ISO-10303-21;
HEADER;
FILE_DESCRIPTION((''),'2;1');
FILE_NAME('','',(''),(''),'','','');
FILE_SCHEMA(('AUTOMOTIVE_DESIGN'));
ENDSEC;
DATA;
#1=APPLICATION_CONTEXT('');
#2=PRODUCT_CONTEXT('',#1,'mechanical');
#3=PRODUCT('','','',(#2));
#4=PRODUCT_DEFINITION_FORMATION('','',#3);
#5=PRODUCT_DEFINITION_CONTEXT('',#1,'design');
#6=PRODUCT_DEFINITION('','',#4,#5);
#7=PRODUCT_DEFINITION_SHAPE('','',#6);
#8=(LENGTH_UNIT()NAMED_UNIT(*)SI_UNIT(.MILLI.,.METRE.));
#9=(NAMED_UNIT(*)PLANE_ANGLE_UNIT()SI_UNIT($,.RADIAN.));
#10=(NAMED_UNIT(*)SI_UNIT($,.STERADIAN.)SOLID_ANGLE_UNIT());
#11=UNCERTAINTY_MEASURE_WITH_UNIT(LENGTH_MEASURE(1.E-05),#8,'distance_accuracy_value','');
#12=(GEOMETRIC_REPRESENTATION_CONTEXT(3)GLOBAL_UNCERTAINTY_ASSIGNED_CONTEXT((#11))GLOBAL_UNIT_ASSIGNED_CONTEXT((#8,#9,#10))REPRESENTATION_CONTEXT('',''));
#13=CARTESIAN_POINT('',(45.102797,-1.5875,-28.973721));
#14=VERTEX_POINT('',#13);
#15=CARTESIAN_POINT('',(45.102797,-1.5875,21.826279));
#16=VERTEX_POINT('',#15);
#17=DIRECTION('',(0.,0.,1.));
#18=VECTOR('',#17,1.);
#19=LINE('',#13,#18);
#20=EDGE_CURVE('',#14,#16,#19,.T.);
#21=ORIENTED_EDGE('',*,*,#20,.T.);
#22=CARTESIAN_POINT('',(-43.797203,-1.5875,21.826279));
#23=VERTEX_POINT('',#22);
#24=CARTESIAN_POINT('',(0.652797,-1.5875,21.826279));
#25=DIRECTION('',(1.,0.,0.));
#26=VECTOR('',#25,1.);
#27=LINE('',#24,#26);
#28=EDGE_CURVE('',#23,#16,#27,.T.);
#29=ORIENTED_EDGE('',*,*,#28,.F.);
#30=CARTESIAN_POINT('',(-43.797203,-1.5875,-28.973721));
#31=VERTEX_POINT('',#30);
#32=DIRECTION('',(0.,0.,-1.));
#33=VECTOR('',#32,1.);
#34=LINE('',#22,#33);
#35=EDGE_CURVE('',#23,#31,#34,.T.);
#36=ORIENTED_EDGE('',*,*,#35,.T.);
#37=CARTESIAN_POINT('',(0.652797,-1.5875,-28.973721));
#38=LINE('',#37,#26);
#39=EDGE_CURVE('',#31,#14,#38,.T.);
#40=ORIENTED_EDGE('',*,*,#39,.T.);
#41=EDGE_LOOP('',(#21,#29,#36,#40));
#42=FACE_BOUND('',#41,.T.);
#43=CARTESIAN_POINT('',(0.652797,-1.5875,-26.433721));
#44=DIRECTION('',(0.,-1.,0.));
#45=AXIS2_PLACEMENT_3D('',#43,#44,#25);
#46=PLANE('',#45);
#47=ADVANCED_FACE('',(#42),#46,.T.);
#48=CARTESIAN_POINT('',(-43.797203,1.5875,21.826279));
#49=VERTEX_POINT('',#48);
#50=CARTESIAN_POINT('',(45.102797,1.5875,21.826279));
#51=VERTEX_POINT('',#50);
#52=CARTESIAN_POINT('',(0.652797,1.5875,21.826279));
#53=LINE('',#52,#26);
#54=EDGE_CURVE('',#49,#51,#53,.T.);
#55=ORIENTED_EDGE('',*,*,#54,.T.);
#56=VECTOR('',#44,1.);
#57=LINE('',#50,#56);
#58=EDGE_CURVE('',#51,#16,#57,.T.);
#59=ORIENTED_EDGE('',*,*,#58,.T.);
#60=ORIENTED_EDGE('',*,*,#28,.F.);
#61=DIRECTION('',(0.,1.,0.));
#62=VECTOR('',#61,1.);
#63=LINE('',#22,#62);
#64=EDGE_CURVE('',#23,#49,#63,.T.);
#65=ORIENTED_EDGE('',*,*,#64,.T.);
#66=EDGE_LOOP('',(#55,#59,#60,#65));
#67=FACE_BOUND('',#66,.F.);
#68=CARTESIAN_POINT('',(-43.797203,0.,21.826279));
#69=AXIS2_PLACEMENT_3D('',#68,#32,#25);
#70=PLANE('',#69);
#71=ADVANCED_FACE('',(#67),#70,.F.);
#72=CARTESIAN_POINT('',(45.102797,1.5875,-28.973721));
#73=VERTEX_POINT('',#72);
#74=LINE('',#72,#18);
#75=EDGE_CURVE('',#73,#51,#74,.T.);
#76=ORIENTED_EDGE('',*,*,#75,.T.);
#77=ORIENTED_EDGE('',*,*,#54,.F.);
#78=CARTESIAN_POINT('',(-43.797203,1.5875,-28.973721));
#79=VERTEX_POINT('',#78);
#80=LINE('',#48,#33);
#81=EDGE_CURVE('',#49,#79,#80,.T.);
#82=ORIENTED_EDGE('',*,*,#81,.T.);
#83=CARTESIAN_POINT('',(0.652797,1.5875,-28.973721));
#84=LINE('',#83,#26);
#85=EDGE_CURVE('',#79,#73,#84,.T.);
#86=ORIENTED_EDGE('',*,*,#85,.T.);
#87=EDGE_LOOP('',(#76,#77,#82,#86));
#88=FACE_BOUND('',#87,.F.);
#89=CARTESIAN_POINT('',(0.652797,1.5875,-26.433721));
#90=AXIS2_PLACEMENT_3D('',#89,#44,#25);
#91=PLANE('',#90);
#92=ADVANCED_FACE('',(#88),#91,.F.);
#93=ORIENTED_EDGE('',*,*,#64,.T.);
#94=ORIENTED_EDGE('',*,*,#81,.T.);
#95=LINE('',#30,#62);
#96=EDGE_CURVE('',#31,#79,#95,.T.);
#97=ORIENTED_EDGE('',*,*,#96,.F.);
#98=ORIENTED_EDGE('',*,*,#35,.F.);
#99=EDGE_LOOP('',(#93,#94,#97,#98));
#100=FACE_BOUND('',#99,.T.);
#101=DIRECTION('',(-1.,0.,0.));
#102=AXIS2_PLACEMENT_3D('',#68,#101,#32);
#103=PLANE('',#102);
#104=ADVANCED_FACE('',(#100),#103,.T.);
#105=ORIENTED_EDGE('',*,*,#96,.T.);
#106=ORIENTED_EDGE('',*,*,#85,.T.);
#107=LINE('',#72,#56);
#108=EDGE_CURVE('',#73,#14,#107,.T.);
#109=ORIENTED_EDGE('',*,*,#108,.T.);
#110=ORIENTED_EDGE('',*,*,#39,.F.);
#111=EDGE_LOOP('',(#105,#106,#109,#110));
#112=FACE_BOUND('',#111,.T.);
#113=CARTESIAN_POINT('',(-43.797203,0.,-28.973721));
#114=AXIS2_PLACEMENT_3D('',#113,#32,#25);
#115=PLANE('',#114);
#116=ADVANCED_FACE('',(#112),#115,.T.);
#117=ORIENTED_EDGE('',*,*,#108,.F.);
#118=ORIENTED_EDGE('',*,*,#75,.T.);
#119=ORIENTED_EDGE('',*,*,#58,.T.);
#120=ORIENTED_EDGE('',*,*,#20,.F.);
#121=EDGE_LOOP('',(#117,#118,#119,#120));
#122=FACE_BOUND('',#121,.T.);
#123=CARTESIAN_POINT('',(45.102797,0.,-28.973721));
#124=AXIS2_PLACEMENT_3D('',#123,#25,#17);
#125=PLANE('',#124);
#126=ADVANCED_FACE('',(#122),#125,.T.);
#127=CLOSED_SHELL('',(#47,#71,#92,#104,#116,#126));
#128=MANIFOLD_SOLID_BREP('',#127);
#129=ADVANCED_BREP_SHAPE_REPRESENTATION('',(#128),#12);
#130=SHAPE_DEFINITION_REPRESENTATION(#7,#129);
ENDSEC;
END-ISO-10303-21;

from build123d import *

# Parameters (mm, degrees)
F0_W     = 88.9
F0_H     = 5.08
F0_H_2   = 40.64
F1_DEPTH = 1.5875


with BuildPart() as f1:
    # F0 (on Front) → F1 (new body, symmetric)
    with BuildSketch(Plane.XZ):
        with Locations((0.652797, -26.433721)):
            Rectangle(F0_W, F0_H)
        with Locations((0.652797, -3.573721)):
            Rectangle(F0_W, F0_H_2)
        with Locations((0.652797, 19.286279)):
            Rectangle(F0_W, F0_H)
    extrude(amount=F1_DEPTH, both=True)


solid = f1.part
